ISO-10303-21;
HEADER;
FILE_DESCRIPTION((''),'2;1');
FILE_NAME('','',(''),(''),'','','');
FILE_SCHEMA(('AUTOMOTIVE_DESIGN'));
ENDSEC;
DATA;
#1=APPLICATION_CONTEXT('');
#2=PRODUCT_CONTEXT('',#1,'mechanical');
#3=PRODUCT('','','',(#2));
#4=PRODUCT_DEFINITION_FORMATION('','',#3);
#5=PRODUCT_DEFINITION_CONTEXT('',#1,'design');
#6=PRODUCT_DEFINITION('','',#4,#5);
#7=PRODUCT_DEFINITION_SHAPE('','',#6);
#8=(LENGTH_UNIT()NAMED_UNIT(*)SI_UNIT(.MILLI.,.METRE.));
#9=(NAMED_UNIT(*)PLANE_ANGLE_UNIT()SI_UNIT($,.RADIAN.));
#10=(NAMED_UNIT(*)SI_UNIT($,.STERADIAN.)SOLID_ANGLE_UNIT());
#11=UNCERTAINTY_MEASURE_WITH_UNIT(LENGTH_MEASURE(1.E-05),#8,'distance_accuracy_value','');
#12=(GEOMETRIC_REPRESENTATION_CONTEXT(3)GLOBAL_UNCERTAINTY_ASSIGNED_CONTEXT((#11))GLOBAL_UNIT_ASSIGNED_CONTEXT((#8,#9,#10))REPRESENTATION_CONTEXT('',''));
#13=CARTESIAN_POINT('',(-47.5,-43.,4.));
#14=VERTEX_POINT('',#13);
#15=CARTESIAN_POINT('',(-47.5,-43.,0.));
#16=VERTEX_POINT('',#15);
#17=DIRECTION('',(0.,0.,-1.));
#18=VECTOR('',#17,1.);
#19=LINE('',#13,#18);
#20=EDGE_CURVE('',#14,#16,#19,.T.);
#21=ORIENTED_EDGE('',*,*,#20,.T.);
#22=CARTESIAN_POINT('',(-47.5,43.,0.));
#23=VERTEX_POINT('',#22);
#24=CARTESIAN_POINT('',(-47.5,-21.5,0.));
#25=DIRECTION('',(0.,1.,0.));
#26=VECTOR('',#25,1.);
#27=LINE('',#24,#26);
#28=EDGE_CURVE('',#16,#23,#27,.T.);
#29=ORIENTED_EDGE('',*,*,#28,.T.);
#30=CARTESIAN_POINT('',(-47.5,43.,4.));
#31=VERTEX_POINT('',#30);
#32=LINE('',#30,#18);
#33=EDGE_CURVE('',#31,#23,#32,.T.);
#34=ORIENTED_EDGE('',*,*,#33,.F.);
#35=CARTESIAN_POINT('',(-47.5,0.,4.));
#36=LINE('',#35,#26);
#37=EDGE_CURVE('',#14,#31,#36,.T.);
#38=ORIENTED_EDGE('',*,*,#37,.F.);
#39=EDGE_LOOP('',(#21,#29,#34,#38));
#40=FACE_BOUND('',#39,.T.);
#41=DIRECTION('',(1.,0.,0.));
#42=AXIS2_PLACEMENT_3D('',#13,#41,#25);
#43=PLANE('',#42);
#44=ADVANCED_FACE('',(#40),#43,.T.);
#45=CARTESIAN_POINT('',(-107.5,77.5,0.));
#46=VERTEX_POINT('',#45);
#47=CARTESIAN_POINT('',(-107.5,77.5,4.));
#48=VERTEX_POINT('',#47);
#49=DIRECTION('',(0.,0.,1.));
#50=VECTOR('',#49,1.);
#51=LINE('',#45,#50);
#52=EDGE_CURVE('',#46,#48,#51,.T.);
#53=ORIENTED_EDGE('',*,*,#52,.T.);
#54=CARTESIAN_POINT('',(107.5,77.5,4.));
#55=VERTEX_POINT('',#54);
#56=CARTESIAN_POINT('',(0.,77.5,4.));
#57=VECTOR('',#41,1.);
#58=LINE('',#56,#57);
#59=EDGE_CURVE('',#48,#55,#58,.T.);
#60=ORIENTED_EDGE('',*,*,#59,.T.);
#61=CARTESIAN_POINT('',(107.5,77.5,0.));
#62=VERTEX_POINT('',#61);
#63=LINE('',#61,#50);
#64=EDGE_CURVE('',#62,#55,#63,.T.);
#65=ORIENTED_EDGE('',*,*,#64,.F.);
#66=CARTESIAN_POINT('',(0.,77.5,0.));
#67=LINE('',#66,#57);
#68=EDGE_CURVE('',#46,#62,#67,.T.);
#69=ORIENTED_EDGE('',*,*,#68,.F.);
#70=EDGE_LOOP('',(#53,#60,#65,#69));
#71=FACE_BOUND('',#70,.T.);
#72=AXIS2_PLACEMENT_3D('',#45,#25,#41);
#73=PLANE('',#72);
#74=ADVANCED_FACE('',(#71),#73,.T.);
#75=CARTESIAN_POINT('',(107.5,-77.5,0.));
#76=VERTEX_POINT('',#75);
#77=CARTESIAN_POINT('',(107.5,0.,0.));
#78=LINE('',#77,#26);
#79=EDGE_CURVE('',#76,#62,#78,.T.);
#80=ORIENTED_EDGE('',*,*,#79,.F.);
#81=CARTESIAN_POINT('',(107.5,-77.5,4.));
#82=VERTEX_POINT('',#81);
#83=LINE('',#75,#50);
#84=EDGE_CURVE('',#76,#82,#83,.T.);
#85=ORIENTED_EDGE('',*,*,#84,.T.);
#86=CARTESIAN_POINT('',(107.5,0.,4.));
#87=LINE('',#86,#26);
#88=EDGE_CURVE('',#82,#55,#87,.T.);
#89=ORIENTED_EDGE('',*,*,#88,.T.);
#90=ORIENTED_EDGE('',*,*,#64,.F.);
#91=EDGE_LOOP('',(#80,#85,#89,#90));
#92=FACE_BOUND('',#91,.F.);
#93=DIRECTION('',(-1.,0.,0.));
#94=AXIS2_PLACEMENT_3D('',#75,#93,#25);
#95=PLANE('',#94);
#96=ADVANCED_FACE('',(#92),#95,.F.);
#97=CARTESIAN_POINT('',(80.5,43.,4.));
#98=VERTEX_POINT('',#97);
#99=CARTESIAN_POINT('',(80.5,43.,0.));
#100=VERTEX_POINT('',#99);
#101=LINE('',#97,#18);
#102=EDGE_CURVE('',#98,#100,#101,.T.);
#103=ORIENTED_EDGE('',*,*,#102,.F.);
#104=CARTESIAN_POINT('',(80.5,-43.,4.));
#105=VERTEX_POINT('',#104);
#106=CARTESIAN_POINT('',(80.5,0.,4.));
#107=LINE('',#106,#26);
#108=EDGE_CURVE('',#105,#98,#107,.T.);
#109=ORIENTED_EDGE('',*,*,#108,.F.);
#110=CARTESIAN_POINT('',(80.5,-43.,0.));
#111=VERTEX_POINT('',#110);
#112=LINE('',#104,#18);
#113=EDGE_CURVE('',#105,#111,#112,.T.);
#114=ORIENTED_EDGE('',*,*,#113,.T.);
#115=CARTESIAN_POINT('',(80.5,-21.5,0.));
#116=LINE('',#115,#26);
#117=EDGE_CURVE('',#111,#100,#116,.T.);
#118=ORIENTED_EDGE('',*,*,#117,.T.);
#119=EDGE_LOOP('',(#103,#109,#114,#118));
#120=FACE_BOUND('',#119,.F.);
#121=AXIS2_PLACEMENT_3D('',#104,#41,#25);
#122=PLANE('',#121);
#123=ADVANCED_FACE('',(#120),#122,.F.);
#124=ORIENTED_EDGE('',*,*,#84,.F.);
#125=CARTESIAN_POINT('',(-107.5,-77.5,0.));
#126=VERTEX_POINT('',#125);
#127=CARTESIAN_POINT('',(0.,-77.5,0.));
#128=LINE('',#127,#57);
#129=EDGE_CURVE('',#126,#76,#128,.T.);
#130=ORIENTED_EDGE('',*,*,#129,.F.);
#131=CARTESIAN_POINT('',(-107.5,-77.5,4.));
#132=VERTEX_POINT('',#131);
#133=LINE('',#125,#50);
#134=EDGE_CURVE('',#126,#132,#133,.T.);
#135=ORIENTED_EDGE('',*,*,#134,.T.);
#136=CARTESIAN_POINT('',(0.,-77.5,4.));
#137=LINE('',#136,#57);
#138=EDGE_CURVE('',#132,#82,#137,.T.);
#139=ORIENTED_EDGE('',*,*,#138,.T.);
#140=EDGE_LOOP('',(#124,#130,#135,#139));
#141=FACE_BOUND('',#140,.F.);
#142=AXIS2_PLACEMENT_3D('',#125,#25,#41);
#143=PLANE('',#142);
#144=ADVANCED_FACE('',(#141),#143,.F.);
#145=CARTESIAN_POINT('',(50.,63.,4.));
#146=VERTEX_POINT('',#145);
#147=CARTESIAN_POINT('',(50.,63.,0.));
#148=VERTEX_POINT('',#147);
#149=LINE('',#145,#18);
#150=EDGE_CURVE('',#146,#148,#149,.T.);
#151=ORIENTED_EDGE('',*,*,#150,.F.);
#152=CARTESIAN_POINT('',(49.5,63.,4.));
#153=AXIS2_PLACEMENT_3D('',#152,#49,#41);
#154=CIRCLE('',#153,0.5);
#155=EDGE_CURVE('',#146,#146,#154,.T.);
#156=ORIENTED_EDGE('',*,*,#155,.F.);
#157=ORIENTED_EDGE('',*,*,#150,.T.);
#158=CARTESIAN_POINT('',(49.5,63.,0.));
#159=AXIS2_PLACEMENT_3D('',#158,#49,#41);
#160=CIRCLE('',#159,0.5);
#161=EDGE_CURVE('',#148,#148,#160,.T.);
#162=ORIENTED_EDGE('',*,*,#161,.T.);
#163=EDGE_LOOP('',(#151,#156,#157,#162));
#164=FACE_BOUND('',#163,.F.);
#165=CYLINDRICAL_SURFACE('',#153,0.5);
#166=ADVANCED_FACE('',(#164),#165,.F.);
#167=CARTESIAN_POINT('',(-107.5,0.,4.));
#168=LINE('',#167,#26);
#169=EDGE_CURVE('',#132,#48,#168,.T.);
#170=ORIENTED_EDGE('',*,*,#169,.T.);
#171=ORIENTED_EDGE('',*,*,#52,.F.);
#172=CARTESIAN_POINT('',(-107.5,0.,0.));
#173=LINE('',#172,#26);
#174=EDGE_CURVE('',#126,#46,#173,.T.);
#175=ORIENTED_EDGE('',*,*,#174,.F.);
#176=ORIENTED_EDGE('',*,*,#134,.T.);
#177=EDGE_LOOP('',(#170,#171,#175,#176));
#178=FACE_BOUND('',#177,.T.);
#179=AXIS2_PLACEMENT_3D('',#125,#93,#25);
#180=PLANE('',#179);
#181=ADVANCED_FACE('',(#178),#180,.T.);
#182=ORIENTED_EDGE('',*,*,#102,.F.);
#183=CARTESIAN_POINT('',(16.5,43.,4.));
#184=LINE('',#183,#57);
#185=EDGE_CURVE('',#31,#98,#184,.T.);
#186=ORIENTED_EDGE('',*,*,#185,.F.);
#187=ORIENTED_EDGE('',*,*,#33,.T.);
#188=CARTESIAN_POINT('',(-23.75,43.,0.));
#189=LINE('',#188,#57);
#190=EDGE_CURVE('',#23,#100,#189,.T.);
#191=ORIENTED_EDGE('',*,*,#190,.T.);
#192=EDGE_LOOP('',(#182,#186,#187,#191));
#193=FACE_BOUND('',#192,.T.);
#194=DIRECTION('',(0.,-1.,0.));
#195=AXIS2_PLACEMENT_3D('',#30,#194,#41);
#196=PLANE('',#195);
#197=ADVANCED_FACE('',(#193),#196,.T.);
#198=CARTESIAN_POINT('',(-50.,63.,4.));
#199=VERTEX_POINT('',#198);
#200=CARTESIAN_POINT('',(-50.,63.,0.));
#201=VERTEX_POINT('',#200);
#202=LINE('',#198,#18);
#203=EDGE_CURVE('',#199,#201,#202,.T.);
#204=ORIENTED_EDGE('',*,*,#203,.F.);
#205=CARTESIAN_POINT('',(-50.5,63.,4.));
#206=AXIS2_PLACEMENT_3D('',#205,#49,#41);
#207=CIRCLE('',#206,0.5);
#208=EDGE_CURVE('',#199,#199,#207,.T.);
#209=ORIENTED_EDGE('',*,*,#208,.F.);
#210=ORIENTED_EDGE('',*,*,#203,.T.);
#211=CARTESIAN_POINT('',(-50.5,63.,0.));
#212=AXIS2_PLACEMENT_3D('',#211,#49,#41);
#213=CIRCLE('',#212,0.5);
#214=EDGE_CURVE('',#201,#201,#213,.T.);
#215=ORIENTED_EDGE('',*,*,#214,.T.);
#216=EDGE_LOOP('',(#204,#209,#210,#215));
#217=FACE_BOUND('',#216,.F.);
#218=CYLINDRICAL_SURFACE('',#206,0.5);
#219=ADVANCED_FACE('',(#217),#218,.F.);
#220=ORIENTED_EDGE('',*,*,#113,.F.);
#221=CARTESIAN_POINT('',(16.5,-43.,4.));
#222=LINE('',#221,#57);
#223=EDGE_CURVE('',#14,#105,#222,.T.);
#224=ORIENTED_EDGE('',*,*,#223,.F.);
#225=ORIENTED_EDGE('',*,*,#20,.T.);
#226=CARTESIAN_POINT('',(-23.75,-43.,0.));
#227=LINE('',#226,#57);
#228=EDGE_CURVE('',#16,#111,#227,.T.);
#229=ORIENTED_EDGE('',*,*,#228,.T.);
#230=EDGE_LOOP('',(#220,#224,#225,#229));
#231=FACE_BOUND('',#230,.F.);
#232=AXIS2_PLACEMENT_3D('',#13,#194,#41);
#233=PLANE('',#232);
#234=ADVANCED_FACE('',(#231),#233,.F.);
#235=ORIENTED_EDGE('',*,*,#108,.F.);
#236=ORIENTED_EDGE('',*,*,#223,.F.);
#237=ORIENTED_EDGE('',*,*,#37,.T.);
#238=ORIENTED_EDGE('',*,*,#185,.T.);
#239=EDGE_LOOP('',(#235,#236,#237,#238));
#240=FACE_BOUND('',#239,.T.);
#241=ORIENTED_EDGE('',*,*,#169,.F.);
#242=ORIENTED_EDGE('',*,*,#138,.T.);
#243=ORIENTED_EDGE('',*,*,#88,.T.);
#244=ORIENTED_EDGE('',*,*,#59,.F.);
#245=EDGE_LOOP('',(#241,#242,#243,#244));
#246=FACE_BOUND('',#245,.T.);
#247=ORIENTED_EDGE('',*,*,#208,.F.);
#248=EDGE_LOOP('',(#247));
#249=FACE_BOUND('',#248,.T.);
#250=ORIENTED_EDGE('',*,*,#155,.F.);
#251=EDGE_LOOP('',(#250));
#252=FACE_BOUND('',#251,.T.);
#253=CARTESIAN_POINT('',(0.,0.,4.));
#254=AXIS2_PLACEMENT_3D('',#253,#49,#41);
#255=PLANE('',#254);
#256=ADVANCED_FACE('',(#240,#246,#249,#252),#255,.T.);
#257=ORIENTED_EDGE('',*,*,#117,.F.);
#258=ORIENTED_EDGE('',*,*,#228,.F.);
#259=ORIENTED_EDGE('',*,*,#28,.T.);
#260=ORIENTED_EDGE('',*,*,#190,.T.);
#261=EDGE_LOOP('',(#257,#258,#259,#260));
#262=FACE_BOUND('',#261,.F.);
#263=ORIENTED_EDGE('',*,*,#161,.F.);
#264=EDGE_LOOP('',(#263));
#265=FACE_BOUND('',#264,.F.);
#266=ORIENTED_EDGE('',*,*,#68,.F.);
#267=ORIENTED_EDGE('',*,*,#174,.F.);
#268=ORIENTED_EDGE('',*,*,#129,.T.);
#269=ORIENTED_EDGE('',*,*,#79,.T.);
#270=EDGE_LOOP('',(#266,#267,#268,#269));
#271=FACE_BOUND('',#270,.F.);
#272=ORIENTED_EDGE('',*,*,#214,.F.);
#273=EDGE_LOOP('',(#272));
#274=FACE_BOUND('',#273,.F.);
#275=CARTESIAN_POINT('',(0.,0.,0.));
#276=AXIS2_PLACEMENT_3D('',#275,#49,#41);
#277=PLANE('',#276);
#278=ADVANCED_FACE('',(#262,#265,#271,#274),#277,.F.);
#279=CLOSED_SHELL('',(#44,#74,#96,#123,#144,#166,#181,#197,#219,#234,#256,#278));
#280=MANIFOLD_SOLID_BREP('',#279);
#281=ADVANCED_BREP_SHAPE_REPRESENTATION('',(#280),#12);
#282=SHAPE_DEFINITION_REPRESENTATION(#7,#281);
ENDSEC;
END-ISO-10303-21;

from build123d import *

# Parameters (mm, degrees)
F0_W     = 215
F0_H     = 155
F1_DEPTH = 4
F2_R     = 0.5
F2_W     = 128
F2_H     = 86
F3_DEPTH = 4.001


with BuildPart() as f1:
    # F0 (on Top) → F1 (new body)
    with BuildSketch(Plane.XY):
        Rectangle(F0_W, F0_H)
    extrude(amount=F1_DEPTH)

    # F2 (on face) → F3 (cut, through all)
    with BuildSketch(Plane.XY.offset(4)):
        with Locations((-50.5, 63)):
            Circle(F2_R)
        with Locations((49.5, 63)):
            Circle(F2_R)
        with Locations((16.5, 0)):
            Rectangle(F2_W, F2_H)
    extrude(amount=-F3_DEPTH, mode=Mode.SUBTRACT)


solid = f1.part
